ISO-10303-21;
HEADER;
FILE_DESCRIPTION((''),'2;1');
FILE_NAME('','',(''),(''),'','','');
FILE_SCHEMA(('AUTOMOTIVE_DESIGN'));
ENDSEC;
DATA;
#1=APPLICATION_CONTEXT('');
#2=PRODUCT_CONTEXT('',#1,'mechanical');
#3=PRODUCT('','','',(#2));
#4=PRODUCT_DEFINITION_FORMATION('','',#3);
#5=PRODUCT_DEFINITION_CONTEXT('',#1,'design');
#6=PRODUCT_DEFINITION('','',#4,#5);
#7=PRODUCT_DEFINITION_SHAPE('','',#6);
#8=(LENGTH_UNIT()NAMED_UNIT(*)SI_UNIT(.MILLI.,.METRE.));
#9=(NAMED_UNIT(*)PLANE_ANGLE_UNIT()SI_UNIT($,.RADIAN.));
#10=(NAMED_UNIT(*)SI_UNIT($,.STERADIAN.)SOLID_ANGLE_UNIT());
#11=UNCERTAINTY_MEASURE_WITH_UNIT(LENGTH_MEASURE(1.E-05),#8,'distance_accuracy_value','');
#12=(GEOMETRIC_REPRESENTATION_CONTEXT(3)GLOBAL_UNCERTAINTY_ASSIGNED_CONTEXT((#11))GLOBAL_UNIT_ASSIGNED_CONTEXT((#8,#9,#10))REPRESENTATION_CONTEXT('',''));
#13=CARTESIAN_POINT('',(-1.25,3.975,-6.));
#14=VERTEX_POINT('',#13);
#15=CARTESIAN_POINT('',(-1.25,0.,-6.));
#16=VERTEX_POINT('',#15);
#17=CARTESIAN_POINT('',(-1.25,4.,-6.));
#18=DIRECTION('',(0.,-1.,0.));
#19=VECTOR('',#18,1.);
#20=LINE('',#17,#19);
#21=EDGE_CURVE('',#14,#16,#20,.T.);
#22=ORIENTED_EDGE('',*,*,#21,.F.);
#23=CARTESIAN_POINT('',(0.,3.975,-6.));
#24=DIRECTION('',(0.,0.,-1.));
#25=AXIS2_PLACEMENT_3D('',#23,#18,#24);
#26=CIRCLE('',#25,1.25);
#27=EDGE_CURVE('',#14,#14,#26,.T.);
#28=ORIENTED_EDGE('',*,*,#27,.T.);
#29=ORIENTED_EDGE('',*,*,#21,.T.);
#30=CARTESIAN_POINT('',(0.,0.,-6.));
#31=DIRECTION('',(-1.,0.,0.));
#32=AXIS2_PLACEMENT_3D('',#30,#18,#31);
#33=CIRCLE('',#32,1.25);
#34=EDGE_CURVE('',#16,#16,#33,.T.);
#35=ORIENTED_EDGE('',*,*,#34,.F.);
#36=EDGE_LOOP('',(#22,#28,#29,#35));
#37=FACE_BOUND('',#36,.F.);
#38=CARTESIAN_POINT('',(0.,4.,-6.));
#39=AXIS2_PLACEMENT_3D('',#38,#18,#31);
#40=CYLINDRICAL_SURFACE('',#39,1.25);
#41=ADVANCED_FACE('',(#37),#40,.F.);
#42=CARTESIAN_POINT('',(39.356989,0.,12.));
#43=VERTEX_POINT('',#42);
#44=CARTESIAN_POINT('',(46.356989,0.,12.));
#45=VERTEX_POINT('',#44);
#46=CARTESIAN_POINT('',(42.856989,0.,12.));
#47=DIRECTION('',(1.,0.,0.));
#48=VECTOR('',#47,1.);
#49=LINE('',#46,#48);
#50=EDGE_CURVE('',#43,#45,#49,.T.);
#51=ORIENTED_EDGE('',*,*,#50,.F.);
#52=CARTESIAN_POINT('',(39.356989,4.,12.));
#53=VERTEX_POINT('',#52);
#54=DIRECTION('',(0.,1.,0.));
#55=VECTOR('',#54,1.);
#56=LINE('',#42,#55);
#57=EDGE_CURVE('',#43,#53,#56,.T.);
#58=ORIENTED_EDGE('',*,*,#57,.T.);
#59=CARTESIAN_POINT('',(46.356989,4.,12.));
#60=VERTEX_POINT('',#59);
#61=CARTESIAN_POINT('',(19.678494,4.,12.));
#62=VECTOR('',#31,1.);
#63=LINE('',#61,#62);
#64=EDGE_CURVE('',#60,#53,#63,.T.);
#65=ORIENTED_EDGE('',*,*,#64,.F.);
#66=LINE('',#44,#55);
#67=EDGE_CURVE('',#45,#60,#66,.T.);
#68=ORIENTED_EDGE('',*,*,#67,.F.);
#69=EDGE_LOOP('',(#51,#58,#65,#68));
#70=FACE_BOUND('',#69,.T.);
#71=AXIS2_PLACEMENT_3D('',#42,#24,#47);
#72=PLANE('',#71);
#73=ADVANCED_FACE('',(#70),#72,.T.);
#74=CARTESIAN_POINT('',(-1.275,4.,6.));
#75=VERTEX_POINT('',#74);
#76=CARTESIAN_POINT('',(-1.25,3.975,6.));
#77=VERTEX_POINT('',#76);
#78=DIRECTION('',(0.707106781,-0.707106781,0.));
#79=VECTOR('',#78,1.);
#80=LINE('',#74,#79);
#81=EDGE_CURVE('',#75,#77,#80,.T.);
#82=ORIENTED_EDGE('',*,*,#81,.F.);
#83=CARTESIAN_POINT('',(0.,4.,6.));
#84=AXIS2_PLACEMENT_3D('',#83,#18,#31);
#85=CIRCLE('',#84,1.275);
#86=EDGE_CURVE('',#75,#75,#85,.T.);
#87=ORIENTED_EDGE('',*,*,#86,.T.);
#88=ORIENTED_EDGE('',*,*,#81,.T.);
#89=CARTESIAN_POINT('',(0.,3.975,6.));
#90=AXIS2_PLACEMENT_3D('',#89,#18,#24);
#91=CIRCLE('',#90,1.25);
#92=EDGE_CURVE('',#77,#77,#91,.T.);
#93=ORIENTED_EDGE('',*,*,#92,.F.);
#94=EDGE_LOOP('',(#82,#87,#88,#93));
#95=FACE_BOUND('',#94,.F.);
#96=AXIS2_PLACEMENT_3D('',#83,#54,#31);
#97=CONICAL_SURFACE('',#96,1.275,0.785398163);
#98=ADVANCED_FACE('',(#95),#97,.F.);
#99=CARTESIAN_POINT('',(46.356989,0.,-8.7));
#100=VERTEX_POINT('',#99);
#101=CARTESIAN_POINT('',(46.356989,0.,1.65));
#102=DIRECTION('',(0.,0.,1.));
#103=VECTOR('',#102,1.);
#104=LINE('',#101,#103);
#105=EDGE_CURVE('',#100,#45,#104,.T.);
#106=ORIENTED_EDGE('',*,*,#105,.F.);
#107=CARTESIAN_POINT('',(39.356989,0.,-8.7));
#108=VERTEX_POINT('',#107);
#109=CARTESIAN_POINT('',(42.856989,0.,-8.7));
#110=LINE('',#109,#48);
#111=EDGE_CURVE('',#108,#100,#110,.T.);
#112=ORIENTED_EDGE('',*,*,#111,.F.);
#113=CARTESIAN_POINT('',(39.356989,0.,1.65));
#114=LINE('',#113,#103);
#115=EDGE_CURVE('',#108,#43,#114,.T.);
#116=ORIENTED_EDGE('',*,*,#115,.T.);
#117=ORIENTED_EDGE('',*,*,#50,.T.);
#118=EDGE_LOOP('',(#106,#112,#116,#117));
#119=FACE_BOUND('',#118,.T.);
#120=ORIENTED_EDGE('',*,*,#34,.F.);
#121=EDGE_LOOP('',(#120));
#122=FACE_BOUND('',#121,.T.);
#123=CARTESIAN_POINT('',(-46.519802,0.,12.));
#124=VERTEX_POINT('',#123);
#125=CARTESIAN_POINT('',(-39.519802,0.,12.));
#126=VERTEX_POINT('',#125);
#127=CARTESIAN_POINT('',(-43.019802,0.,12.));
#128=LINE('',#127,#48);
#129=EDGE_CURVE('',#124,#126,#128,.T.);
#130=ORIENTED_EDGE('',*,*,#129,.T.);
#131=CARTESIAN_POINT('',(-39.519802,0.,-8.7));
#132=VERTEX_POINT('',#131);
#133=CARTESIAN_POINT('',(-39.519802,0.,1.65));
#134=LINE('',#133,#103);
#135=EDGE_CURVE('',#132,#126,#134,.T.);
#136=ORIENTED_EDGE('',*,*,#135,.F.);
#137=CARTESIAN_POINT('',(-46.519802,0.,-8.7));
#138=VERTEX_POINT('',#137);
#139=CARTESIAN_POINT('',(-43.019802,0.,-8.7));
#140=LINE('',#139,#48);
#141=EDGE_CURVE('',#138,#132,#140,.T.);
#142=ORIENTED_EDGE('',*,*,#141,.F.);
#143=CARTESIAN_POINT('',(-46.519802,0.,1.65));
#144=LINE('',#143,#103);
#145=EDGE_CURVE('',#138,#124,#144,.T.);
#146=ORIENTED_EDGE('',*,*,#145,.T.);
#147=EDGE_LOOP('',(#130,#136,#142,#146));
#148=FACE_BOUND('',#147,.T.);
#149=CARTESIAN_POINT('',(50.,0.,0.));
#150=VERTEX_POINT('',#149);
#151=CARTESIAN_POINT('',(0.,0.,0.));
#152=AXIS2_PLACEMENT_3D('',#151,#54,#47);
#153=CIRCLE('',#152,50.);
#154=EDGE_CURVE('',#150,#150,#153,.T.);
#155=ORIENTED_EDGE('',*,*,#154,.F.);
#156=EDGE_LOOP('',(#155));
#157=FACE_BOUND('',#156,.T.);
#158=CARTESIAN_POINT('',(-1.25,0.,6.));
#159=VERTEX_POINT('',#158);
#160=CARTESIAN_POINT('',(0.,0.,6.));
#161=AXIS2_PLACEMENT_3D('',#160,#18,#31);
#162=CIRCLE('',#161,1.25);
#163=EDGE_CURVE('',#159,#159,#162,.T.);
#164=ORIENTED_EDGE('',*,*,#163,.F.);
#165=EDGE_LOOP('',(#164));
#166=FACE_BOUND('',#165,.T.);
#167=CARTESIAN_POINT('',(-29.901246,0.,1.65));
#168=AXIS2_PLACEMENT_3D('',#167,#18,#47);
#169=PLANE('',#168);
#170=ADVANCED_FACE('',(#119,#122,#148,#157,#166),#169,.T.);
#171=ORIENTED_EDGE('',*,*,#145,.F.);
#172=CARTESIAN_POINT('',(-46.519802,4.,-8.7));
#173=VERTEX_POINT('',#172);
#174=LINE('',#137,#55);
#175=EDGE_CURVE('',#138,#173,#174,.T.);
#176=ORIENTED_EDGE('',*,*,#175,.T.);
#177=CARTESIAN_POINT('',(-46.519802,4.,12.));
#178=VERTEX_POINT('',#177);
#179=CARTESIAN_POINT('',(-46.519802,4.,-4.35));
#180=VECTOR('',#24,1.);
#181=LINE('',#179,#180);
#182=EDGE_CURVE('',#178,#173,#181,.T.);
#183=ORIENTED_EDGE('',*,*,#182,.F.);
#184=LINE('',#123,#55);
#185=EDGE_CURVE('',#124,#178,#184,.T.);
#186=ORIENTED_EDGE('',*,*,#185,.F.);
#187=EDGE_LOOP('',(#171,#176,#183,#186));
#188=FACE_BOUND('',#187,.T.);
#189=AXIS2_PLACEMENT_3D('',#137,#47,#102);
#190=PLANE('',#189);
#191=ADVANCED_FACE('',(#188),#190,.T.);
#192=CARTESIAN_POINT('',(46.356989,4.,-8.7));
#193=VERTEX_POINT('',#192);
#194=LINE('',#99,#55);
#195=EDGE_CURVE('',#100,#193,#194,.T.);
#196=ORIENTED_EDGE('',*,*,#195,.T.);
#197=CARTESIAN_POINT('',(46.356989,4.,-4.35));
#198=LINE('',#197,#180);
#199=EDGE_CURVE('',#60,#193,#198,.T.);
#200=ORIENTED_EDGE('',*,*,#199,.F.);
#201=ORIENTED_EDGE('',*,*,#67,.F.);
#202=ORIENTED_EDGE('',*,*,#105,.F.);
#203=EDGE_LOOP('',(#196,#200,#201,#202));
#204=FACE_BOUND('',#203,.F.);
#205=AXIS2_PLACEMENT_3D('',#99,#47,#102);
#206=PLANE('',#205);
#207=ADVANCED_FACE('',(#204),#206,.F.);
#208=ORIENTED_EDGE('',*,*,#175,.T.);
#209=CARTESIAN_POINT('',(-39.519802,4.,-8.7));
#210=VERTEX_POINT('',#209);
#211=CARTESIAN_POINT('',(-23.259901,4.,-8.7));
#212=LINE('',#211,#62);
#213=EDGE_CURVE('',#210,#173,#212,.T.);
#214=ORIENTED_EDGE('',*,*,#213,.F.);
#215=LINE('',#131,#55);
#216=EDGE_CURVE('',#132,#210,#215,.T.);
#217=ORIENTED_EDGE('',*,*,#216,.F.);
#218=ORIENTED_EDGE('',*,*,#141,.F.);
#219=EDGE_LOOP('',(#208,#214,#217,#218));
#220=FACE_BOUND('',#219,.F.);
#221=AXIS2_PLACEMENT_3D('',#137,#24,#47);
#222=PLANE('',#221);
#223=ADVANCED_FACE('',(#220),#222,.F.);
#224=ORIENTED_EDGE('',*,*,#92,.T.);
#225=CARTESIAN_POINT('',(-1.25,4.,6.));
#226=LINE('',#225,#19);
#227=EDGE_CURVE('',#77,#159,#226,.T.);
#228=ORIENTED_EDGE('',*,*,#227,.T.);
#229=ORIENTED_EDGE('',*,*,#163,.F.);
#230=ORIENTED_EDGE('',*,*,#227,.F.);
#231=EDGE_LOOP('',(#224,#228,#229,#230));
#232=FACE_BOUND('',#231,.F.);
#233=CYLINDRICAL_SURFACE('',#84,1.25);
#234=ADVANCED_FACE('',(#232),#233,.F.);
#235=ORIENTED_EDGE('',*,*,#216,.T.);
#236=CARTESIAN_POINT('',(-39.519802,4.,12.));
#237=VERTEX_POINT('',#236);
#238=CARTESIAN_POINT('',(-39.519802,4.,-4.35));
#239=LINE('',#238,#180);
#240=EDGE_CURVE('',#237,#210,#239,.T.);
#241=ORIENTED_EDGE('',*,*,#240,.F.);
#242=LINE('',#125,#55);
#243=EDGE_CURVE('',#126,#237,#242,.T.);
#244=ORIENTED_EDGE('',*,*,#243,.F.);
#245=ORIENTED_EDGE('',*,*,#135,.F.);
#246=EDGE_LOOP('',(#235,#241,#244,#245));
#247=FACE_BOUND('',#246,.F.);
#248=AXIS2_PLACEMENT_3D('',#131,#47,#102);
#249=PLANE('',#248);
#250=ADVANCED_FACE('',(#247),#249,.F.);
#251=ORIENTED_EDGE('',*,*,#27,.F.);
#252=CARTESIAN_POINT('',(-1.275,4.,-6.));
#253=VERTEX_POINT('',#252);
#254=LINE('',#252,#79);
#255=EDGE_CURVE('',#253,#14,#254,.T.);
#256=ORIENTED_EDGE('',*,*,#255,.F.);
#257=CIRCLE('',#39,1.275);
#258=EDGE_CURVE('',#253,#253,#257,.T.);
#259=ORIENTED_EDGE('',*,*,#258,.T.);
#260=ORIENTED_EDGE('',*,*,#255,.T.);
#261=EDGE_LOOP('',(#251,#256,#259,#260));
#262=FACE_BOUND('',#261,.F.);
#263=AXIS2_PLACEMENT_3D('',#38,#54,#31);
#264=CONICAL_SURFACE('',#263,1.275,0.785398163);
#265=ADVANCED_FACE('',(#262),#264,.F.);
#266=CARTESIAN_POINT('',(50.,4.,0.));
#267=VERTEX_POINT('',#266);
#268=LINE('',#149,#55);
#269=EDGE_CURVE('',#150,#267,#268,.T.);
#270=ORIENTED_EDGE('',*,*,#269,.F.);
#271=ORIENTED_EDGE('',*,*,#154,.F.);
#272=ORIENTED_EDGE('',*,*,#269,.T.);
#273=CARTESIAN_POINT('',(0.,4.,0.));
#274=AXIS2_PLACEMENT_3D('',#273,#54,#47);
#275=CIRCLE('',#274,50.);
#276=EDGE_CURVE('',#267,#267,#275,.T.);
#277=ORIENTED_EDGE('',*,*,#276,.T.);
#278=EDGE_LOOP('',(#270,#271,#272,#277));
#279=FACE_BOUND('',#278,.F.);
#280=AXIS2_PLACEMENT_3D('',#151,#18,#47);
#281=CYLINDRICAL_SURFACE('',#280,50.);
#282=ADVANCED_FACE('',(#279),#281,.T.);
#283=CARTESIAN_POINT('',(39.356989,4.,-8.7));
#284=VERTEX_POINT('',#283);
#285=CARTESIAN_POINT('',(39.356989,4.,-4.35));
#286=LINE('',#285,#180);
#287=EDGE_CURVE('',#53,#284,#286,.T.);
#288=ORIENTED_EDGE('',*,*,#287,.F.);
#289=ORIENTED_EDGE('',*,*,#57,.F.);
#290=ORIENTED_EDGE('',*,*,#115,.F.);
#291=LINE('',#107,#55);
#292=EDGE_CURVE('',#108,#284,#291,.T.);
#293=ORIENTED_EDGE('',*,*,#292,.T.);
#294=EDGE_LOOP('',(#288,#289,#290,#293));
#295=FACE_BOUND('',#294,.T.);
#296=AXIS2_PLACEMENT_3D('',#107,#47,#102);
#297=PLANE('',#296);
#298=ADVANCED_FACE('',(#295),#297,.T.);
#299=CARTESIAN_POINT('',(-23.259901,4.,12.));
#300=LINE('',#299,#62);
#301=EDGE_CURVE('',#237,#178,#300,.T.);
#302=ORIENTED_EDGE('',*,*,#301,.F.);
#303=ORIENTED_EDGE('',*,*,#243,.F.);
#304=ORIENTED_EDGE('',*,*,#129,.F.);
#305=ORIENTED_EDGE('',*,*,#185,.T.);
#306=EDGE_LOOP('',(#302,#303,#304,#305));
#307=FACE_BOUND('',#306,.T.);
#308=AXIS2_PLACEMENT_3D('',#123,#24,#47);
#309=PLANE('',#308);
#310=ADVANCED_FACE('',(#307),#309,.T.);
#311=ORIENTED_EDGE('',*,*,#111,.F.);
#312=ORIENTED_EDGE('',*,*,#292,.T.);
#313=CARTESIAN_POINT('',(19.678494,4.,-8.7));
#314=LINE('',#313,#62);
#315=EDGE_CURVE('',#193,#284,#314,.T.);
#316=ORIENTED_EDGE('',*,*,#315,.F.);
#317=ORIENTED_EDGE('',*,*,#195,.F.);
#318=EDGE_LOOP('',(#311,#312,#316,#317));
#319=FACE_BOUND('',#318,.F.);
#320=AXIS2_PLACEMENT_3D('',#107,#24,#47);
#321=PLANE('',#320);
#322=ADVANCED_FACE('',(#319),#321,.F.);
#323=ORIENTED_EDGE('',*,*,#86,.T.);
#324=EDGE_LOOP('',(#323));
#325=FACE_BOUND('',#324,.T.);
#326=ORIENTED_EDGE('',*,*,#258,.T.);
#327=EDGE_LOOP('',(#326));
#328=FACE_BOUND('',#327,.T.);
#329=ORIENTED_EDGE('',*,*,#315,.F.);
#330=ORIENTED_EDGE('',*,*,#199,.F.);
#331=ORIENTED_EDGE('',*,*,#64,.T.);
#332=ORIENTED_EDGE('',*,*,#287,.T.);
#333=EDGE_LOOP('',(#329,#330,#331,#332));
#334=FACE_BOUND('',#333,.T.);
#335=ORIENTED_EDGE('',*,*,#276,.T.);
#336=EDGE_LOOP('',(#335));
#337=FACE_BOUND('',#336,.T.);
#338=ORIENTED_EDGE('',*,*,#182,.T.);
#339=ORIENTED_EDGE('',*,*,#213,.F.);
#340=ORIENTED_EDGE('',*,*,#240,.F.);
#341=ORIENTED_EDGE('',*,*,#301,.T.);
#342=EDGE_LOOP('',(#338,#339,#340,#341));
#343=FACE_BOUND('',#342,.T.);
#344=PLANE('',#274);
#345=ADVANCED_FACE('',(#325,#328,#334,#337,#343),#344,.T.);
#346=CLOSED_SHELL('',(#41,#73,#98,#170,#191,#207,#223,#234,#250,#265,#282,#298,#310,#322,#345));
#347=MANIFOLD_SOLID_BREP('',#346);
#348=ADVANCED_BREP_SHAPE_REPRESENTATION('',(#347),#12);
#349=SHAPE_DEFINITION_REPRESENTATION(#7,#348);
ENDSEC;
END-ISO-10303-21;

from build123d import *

# Parameters (mm, degrees)
SKETCH2_R                             = 50
SKETCH2_W                             = 7
SKETCH2_H                             = 20.7
BOSS_EXTRUDE2_DEPTH                   = 4
TAP_DRILL_FOR_M3X0_5_TAP1_D           = 2.5
TAP_DRILL_FOR_M3X0_5_TAP1_CSINK_D     = 2.55
TAP_DRILL_FOR_M3X0_5_TAP1_CSINK_ANGLE = 90
SKETCH5_W                             = 7
SKETCH5_H                             = 20.7
BOSS_EXTRUDE4_DEPTH                   = 4
SKETCH5_4_W                           = 7
SKETCH5_4_H                           = 20.7
CUT_EXTRUDE1_DEPTH                    = 10


with BuildPart() as part:
    # Sketch2 → Boss-Extrude2 (new body)
    with BuildSketch(Plane(origin=(0, 0, 0), x_dir=(1, 0, 0), z_dir=(0, 1, 0))):
        Circle(SKETCH2_R)
        with Locations((-29.901246403, -1.65)):
            Rectangle(SKETCH2_W, SKETCH2_H, mode=Mode.SUBTRACT)
        with Locations((29.901246403, -1.65)):
            Rectangle(SKETCH2_W, SKETCH2_H, mode=Mode.SUBTRACT)
    extrude(amount=BOSS_EXTRUDE2_DEPTH)

    # Tap Drill for M3x0.5 Tap1 (through all)
    with Locations(Plane(origin=(0, 4, 0), x_dir=(1, 0, 0), z_dir=(0, 1, 0))):
        with Locations((0, 6), (0, -6)):
            CounterSinkHole(TAP_DRILL_FOR_M3X0_5_TAP1_D / 2, TAP_DRILL_FOR_M3X0_5_TAP1_CSINK_D / 2, counter_sink_angle=TAP_DRILL_FOR_M3X0_5_TAP1_CSINK_ANGLE)

    # Sketch5 → Boss-Extrude4 (add)
    with BuildSketch(Plane.XZ):
        with Locations((-29.901246403, 1.65)):
            Rectangle(SKETCH5_W, SKETCH5_H)
        with Locations((29.901246403, 1.65)):
            Rectangle(SKETCH5_W, SKETCH5_H)
    extrude(amount=-BOSS_EXTRUDE4_DEPTH)

    # Sketch5<4> → Cut-Extrude1 (cut)
    with BuildSketch(Plane.XZ):
        with Locations((-43.019801761, 1.65)):
            Rectangle(SKETCH5_4_W, SKETCH5_4_H)
        with Locations((42.856988689, 1.65)):
            Rectangle(SKETCH5_4_W, SKETCH5_4_H)
    extrude(amount=-CUT_EXTRUDE1_DEPTH, mode=Mode.SUBTRACT)


solid = part.part
